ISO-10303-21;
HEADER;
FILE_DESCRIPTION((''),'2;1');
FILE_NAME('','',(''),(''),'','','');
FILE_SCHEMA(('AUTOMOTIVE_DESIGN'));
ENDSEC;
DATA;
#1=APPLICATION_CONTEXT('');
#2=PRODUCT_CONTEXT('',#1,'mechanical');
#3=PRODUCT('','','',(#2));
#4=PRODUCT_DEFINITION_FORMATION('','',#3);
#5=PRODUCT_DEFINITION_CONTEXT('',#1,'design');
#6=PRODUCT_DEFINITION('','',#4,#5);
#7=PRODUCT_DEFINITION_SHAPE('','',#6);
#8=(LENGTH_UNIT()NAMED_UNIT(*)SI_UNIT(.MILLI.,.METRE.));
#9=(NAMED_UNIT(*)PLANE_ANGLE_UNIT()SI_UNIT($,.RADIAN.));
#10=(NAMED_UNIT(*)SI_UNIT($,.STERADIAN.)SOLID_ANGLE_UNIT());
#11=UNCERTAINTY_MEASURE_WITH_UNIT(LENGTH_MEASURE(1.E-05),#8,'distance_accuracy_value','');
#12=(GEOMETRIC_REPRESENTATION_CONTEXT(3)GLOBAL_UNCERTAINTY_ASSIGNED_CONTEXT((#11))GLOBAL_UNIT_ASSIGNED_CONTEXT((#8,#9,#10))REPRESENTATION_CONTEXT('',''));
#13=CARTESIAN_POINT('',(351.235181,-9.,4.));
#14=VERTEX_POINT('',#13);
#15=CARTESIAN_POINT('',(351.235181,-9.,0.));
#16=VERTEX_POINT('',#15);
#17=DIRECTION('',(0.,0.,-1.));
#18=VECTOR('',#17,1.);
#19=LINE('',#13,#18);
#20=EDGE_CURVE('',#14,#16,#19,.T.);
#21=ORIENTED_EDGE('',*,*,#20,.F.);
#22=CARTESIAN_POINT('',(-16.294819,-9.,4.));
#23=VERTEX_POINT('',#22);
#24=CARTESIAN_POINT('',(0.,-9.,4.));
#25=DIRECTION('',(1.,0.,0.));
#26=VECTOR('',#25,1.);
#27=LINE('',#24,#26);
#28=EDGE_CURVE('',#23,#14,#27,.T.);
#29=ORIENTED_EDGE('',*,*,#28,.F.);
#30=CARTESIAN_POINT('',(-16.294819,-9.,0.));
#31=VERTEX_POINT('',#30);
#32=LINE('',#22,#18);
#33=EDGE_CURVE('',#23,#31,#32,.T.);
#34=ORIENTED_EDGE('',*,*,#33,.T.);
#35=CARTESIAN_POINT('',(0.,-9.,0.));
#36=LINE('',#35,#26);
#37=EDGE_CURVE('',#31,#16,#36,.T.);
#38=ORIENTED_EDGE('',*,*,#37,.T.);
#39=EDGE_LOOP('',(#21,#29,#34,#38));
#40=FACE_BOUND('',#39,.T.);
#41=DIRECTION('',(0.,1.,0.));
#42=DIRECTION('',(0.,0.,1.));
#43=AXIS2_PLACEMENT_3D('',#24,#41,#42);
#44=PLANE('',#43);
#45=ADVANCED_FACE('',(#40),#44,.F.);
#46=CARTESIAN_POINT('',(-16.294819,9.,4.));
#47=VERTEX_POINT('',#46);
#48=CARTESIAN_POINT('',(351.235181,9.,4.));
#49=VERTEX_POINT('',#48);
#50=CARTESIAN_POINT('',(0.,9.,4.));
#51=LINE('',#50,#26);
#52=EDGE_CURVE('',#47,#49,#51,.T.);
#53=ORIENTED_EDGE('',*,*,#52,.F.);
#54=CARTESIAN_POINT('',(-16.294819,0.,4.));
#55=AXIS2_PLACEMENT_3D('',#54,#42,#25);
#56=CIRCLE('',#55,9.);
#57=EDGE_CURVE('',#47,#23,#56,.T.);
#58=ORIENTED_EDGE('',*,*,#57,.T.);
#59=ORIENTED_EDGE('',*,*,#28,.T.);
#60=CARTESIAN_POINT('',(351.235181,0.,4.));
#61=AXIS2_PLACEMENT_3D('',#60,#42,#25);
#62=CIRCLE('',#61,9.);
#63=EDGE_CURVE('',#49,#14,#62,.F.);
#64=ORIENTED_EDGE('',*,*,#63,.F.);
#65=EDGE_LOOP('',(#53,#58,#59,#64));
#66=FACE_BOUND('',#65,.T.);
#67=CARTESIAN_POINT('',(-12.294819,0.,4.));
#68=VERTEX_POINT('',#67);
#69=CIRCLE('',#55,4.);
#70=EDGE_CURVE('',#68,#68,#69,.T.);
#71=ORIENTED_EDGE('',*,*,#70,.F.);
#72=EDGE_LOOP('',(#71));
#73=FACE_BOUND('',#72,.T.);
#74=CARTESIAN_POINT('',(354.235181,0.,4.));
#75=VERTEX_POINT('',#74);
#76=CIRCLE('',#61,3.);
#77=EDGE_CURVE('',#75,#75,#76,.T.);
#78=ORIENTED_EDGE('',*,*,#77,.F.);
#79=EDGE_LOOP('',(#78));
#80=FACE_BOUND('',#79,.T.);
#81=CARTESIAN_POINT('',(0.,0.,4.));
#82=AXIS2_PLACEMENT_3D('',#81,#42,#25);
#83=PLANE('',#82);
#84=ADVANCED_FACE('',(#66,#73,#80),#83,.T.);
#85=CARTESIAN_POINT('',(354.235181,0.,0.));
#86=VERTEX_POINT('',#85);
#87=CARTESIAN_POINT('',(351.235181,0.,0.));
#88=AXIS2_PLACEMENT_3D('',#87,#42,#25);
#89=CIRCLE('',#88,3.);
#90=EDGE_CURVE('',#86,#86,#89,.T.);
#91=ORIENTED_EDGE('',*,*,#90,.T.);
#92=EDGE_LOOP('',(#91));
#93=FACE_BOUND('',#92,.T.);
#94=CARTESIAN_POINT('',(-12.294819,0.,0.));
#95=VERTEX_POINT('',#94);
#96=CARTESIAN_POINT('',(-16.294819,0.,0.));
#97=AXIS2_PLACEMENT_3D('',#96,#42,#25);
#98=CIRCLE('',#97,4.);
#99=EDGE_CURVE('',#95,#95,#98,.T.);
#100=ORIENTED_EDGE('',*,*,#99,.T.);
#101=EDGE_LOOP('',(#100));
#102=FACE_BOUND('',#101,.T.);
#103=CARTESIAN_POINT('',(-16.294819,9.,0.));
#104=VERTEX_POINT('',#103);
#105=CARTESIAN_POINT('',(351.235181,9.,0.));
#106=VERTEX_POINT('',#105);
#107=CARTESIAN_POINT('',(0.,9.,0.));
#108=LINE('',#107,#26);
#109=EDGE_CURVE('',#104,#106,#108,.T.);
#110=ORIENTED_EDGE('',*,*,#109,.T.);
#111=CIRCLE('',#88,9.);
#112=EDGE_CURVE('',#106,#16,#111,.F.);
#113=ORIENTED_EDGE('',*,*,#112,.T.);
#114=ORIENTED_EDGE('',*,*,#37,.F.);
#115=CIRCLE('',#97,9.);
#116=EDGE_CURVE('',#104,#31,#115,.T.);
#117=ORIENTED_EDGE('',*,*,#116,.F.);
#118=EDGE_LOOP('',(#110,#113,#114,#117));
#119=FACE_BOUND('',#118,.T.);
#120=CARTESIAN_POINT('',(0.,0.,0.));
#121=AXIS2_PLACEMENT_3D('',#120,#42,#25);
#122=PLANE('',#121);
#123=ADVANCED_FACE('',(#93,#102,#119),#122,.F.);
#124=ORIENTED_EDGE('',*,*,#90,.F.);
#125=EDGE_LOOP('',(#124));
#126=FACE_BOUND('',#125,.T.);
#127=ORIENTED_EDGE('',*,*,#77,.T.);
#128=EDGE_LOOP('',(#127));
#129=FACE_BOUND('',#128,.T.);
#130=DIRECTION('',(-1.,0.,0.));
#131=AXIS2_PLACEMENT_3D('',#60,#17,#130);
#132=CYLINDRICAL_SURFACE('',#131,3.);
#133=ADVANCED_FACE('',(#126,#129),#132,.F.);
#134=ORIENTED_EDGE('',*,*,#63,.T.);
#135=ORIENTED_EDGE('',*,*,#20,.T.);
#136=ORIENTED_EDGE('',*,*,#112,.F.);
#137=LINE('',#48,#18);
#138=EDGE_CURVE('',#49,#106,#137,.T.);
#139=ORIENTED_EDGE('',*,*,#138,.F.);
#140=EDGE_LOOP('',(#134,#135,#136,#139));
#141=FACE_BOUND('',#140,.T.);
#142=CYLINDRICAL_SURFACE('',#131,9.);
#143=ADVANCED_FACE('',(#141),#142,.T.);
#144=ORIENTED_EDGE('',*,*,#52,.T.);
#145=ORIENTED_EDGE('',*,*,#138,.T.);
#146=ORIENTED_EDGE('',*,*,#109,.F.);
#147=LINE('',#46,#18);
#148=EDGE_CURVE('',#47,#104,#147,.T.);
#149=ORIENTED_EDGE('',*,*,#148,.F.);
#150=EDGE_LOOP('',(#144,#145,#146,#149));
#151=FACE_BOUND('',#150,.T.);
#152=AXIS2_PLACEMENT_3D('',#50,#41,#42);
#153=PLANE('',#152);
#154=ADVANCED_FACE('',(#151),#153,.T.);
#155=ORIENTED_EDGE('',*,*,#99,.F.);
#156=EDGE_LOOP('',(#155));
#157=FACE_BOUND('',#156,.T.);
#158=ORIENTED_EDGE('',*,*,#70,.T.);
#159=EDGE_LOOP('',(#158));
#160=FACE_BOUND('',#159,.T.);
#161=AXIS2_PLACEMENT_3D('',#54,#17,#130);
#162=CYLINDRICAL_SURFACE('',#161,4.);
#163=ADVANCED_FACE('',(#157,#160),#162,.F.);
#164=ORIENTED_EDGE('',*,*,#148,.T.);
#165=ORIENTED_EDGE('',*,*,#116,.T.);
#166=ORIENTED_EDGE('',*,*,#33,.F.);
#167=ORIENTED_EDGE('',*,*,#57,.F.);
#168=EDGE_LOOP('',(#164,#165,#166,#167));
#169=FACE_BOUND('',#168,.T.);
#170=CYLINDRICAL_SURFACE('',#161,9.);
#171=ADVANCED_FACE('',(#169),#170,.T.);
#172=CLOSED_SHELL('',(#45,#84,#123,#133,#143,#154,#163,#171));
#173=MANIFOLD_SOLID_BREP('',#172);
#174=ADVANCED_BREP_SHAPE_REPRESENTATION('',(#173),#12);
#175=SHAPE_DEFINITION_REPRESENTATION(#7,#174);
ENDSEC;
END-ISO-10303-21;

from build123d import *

# Parameters (mm, degrees)
SKETCH1_R           = 4
SKETCH1_R_2         = 3
BOSS_EXTRUDE1_DEPTH = 4


with BuildPart() as part:
    # Sketch1 → Boss-Extrude1 (new body)
    with BuildSketch(Plane.XY):
        with BuildLine():
            Line((-16.294818526, 9), (351.235181474, 9))
            ThreePointArc((351.235181474, 9), (360.235181474, 0), (351.235181474, -9))
            Line((351.235181474, -9), (-16.294818526, -9))
            ThreePointArc((-16.294818526, -9), (-25.294818526, 0), (-16.294818526, 9))
        make_face()
        with Locations((-16.294818526, 0)):
            Circle(SKETCH1_R, mode=Mode.SUBTRACT)
        with Locations((351.235181474, 0)):
            Circle(SKETCH1_R_2, mode=Mode.SUBTRACT)
    extrude(amount=BOSS_EXTRUDE1_DEPTH)


solid = part.part
